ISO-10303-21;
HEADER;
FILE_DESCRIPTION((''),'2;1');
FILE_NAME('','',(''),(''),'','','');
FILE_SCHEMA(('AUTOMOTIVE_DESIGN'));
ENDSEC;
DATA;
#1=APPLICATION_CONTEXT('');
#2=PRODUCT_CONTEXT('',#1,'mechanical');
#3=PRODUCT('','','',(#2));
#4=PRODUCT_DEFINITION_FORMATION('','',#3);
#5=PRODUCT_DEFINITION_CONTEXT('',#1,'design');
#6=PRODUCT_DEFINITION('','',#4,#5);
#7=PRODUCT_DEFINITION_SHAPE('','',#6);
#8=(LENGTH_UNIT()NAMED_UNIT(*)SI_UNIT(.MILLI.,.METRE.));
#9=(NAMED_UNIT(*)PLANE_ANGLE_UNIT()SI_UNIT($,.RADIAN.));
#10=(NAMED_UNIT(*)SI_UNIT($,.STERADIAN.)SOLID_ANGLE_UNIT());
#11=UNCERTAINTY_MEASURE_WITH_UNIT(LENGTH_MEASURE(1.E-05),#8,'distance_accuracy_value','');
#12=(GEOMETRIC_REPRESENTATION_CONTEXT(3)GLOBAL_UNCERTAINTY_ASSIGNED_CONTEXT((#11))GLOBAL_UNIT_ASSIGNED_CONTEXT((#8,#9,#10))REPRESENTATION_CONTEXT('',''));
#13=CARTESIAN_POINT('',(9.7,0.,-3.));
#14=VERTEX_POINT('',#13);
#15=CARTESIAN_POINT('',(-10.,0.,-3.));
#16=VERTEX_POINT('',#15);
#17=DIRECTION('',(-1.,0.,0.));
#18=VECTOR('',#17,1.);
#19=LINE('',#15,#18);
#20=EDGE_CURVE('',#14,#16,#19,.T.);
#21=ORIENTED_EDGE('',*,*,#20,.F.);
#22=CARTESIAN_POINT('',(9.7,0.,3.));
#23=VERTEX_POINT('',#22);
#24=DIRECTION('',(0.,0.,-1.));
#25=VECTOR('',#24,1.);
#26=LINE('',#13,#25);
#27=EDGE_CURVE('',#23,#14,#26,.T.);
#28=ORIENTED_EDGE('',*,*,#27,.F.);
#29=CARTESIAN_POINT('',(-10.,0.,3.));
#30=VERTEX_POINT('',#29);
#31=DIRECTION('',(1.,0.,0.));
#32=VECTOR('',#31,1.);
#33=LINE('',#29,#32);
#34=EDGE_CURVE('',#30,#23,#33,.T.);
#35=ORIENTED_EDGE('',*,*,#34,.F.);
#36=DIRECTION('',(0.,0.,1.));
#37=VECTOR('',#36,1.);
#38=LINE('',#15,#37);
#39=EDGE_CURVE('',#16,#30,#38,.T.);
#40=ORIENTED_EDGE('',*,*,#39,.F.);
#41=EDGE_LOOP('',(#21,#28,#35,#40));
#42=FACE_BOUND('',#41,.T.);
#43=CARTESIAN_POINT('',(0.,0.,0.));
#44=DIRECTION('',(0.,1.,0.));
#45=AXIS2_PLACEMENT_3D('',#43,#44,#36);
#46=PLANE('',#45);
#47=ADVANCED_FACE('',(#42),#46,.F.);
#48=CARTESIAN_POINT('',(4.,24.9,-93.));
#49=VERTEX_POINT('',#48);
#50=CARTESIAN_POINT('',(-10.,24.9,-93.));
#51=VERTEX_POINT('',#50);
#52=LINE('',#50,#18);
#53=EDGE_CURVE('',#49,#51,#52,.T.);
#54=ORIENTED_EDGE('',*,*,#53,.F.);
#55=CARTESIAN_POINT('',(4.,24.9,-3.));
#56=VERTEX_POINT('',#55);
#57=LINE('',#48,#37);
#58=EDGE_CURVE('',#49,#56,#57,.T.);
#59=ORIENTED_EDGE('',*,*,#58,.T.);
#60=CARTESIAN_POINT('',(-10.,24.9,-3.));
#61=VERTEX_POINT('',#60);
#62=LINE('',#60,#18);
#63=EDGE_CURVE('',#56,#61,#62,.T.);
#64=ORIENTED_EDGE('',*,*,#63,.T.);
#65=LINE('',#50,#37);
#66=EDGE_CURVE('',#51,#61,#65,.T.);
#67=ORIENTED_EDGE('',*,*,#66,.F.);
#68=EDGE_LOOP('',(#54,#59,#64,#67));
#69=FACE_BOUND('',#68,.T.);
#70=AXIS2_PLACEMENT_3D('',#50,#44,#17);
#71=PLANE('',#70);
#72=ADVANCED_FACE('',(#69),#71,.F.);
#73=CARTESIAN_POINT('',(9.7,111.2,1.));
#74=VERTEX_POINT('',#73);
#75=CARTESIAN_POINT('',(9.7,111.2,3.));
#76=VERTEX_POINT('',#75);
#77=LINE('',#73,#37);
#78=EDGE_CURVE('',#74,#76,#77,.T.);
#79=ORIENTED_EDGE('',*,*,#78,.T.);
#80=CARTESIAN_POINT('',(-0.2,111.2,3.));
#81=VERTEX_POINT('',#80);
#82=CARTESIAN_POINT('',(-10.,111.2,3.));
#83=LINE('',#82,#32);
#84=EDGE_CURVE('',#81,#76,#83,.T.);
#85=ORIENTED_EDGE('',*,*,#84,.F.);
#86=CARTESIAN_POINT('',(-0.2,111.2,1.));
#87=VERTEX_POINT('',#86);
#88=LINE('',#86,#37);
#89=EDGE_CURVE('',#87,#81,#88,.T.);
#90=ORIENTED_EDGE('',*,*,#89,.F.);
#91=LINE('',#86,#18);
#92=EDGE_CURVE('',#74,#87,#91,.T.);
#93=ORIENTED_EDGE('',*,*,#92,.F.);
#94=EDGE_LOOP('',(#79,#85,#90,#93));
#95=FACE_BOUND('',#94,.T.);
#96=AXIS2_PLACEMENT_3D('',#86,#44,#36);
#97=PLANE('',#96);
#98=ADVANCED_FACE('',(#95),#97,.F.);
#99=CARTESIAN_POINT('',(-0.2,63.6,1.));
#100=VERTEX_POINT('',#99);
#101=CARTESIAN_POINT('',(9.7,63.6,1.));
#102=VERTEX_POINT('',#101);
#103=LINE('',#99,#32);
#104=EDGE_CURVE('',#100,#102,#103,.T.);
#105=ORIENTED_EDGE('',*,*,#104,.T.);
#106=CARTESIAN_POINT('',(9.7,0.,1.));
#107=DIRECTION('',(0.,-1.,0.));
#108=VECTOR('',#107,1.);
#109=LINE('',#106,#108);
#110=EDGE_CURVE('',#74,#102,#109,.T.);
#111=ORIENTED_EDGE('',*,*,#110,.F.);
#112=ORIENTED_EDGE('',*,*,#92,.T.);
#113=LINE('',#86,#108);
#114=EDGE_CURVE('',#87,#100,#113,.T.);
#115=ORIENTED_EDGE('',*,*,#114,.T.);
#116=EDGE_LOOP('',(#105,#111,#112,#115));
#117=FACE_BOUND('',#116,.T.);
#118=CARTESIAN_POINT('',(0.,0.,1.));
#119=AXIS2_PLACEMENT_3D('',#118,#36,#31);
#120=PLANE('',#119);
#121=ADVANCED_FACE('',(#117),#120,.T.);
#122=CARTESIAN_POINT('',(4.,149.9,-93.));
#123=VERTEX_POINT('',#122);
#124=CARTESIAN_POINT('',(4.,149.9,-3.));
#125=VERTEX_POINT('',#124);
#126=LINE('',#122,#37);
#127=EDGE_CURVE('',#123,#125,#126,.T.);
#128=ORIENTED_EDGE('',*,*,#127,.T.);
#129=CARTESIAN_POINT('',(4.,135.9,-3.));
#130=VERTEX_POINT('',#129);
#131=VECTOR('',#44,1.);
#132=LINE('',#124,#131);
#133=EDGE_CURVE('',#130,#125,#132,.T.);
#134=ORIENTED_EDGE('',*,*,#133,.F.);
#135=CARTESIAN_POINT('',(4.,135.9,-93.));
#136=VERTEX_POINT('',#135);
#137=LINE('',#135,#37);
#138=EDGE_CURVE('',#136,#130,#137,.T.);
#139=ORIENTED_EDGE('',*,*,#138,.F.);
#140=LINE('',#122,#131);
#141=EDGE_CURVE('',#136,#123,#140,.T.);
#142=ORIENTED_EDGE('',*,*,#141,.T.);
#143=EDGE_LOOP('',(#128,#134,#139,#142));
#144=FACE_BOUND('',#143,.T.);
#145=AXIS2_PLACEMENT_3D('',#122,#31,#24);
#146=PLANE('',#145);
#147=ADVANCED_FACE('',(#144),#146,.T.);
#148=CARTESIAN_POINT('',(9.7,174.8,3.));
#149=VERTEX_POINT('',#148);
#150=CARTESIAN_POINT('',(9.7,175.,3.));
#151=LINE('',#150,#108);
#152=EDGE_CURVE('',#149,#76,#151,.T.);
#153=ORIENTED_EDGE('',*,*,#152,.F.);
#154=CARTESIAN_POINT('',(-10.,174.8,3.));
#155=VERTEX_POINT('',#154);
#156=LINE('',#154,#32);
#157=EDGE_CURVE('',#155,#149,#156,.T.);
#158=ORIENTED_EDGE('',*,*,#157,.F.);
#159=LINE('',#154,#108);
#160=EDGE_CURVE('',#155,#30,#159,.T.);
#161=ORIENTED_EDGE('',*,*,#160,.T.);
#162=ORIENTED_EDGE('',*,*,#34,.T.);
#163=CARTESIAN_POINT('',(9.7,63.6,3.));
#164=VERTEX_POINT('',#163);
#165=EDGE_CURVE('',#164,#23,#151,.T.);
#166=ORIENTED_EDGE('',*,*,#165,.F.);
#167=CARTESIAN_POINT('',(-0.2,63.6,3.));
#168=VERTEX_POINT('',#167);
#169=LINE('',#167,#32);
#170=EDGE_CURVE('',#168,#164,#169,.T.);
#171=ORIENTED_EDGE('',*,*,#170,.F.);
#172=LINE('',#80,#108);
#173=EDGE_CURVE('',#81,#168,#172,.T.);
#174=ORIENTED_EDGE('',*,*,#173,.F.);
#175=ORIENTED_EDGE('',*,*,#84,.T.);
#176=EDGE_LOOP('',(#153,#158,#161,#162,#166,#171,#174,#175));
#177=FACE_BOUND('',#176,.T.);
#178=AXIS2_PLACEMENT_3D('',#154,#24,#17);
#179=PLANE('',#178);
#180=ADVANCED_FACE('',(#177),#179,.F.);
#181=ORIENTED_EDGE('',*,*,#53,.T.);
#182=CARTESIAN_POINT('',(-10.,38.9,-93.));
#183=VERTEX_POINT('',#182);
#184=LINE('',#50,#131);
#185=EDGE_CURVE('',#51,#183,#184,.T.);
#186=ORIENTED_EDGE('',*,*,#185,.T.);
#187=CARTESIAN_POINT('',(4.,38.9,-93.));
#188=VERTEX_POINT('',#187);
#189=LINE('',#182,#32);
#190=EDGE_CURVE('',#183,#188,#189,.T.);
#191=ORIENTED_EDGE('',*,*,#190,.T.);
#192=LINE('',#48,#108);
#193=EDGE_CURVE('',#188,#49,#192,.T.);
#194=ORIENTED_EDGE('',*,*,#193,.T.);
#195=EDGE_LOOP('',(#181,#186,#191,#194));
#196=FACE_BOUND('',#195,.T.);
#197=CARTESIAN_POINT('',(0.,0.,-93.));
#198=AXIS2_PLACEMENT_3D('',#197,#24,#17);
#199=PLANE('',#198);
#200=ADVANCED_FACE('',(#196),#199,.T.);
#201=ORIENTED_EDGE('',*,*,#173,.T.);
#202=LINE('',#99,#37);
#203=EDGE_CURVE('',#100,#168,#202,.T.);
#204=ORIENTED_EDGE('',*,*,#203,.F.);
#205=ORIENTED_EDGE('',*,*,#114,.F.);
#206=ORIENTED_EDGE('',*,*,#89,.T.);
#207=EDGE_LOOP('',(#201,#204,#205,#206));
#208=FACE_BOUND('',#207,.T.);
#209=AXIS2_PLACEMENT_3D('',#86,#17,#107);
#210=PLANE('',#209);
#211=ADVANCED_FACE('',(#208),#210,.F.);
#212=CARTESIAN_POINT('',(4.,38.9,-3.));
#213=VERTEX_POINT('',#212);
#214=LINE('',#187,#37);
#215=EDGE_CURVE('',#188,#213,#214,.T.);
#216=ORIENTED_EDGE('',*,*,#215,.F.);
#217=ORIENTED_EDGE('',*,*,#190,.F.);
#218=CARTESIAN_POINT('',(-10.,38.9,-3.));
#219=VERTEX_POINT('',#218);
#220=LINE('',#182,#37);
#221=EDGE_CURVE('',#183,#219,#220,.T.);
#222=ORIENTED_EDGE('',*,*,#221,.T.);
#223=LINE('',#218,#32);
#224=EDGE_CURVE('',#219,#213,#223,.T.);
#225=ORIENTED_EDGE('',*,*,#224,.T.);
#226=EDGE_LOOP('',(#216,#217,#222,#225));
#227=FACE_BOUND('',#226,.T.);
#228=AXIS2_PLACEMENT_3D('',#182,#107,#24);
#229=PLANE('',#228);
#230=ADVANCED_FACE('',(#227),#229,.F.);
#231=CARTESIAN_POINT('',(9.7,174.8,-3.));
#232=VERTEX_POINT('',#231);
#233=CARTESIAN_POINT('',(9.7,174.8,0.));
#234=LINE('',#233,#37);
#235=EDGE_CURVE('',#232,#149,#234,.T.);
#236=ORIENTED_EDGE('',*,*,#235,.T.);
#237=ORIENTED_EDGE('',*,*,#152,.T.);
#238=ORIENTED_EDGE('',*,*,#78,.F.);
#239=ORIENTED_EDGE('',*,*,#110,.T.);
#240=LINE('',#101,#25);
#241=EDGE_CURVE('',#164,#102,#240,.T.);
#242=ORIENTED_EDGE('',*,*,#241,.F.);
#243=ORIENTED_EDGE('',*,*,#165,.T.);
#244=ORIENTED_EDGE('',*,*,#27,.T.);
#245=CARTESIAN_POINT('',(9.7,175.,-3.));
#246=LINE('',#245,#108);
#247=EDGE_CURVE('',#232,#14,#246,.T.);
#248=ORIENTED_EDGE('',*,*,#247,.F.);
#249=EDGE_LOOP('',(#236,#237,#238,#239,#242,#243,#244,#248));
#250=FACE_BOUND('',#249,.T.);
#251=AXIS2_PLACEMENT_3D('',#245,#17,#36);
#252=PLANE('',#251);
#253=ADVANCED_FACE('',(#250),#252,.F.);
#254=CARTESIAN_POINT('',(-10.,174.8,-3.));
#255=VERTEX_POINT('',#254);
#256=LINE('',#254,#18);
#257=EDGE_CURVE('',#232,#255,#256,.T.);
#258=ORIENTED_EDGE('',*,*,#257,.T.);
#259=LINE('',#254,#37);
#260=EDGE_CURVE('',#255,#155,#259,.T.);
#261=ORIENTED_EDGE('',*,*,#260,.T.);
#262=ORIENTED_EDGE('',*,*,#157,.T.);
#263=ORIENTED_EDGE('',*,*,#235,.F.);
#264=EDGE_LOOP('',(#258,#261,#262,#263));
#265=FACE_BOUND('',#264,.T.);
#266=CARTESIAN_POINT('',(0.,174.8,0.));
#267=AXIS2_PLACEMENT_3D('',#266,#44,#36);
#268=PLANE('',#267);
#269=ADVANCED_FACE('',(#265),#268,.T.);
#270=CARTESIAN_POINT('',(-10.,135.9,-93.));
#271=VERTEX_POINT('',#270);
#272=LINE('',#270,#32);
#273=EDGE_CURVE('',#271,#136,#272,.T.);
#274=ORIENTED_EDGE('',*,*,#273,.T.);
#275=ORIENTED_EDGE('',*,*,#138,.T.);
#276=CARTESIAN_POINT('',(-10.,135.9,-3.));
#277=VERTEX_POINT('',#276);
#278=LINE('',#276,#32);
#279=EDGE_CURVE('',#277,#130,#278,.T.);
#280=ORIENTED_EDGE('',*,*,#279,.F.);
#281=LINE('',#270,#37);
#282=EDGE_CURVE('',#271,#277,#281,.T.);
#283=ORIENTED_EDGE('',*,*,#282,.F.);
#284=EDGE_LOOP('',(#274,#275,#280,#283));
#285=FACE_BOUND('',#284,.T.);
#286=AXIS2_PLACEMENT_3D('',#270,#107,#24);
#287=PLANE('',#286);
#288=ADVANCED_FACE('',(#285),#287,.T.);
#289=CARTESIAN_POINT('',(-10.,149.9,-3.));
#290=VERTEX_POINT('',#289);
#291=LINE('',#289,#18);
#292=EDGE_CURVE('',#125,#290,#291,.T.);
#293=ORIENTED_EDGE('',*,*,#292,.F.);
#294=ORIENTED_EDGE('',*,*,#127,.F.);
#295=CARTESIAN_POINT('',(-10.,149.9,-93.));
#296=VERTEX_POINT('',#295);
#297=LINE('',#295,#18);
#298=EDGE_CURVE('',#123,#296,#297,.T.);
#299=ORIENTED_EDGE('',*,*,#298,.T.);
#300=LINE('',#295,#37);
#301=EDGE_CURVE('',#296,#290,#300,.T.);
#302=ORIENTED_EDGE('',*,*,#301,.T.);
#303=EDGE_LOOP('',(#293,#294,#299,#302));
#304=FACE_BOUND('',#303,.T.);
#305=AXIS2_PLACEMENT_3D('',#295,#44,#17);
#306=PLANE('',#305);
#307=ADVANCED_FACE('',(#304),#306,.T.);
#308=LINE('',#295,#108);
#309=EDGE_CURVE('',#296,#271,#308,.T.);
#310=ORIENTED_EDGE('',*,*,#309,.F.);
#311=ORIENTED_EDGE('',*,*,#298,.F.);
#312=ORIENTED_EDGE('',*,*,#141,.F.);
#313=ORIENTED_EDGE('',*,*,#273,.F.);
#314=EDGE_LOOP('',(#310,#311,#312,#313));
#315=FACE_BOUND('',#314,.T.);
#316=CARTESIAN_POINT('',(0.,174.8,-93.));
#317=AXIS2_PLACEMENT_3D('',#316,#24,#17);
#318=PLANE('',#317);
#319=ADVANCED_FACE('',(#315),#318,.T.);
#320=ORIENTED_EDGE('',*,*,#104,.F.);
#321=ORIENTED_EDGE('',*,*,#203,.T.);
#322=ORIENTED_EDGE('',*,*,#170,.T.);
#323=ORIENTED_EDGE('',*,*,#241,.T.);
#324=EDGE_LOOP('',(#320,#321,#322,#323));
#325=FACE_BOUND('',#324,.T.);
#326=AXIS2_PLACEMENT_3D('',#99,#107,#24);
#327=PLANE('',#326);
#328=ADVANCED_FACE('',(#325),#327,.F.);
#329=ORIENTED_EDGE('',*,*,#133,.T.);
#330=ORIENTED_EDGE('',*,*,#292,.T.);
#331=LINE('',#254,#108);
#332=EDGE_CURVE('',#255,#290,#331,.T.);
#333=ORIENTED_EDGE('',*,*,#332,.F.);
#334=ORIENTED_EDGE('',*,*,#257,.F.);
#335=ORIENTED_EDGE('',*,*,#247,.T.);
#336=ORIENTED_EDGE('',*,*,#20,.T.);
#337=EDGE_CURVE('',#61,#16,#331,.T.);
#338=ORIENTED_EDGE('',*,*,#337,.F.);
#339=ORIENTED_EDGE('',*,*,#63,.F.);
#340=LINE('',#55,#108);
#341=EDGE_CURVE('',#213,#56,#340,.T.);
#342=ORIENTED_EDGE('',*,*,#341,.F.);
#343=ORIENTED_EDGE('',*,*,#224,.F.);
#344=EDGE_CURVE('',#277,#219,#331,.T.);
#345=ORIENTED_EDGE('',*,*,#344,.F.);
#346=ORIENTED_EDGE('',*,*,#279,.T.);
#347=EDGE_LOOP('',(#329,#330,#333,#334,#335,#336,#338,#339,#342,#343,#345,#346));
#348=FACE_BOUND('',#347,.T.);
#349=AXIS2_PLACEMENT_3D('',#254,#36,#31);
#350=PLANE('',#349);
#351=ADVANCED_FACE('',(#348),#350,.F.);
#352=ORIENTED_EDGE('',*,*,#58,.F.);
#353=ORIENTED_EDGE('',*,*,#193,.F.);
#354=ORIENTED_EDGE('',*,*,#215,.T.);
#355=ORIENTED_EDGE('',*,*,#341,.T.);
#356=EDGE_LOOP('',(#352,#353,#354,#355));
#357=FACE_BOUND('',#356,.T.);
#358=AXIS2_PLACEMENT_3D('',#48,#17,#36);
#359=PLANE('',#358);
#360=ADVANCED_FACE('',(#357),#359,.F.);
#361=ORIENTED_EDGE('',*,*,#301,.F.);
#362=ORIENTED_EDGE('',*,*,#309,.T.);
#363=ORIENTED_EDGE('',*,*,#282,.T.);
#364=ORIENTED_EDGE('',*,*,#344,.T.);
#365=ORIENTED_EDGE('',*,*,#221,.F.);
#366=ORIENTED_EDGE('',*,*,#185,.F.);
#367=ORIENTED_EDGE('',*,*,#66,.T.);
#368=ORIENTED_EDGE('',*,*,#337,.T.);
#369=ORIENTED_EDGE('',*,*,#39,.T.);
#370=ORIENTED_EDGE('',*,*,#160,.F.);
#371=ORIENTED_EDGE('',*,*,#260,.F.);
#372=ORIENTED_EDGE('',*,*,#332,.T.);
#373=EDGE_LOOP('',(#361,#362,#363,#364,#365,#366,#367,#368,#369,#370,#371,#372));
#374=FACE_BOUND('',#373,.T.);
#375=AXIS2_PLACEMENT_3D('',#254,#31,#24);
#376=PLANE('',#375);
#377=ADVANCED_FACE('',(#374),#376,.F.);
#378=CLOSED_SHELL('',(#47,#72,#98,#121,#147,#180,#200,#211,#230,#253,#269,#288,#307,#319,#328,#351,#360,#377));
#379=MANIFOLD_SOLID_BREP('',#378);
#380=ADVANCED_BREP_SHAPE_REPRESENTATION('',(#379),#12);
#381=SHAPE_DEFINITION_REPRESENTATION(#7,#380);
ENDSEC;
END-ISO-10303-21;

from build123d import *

# Parameters (mm, degrees)
SKETCH1_W           = 20
SKETCH1_H           = 6
BOSS_EXTRUDE1_DEPTH = 174.8
SKETCH2_W           = 20.4
SKETCH2_H           = 47.6
CUT_EXTRUDE1_DEPTH  = 2
SKETCH3_W           = 14
SKETCH3_H           = 14
BOSS_EXTRUDE2_DEPTH = 90
SKETCH4_W           = 0.3
SKETCH4_H           = 6
CUT_EXTRUDE2_DEPTH  = 175


with BuildPart() as part:
    # Sketch1 → Boss-Extrude1 (new body)
    with BuildSketch(Plane(origin=(0, 0, 0), x_dir=(1, 0, 0), z_dir=(0, 1, 0))):
        Rectangle(SKETCH1_W, SKETCH1_H)
    extrude(amount=BOSS_EXTRUDE1_DEPTH)

    # Sketch2 → Cut-Extrude1 (cut)
    with BuildSketch(Plane.XY.offset(3)):
        with Locations((10, 87.4)):
            Rectangle(SKETCH2_W, SKETCH2_H)
    extrude(amount=-CUT_EXTRUDE1_DEPTH, mode=Mode.SUBTRACT)

    # Sketch3 → Boss-Extrude2 (add)
    with BuildSketch(Plane(origin=(0, 0, -3), x_dir=(-1, 0, 0), z_dir=(0, 0, -1))):
        with Locations((3, 31.9)):
            Rectangle(SKETCH3_W, SKETCH3_H)
    boss_extrude2 = extrude(amount=BOSS_EXTRUDE2_DEPTH)

    # Mirror1: Boss-Extrude2 across plane
    add(boss_extrude2.mirror(Plane.ZX.offset(87.4)))

    # Sketch4 → Cut-Extrude2 (cut)
    with BuildSketch(Plane.XZ):
        with Locations((9.85, 0)):
            Rectangle(SKETCH4_W, SKETCH4_H)
    extrude(amount=-CUT_EXTRUDE2_DEPTH, mode=Mode.SUBTRACT)


solid = part.part
